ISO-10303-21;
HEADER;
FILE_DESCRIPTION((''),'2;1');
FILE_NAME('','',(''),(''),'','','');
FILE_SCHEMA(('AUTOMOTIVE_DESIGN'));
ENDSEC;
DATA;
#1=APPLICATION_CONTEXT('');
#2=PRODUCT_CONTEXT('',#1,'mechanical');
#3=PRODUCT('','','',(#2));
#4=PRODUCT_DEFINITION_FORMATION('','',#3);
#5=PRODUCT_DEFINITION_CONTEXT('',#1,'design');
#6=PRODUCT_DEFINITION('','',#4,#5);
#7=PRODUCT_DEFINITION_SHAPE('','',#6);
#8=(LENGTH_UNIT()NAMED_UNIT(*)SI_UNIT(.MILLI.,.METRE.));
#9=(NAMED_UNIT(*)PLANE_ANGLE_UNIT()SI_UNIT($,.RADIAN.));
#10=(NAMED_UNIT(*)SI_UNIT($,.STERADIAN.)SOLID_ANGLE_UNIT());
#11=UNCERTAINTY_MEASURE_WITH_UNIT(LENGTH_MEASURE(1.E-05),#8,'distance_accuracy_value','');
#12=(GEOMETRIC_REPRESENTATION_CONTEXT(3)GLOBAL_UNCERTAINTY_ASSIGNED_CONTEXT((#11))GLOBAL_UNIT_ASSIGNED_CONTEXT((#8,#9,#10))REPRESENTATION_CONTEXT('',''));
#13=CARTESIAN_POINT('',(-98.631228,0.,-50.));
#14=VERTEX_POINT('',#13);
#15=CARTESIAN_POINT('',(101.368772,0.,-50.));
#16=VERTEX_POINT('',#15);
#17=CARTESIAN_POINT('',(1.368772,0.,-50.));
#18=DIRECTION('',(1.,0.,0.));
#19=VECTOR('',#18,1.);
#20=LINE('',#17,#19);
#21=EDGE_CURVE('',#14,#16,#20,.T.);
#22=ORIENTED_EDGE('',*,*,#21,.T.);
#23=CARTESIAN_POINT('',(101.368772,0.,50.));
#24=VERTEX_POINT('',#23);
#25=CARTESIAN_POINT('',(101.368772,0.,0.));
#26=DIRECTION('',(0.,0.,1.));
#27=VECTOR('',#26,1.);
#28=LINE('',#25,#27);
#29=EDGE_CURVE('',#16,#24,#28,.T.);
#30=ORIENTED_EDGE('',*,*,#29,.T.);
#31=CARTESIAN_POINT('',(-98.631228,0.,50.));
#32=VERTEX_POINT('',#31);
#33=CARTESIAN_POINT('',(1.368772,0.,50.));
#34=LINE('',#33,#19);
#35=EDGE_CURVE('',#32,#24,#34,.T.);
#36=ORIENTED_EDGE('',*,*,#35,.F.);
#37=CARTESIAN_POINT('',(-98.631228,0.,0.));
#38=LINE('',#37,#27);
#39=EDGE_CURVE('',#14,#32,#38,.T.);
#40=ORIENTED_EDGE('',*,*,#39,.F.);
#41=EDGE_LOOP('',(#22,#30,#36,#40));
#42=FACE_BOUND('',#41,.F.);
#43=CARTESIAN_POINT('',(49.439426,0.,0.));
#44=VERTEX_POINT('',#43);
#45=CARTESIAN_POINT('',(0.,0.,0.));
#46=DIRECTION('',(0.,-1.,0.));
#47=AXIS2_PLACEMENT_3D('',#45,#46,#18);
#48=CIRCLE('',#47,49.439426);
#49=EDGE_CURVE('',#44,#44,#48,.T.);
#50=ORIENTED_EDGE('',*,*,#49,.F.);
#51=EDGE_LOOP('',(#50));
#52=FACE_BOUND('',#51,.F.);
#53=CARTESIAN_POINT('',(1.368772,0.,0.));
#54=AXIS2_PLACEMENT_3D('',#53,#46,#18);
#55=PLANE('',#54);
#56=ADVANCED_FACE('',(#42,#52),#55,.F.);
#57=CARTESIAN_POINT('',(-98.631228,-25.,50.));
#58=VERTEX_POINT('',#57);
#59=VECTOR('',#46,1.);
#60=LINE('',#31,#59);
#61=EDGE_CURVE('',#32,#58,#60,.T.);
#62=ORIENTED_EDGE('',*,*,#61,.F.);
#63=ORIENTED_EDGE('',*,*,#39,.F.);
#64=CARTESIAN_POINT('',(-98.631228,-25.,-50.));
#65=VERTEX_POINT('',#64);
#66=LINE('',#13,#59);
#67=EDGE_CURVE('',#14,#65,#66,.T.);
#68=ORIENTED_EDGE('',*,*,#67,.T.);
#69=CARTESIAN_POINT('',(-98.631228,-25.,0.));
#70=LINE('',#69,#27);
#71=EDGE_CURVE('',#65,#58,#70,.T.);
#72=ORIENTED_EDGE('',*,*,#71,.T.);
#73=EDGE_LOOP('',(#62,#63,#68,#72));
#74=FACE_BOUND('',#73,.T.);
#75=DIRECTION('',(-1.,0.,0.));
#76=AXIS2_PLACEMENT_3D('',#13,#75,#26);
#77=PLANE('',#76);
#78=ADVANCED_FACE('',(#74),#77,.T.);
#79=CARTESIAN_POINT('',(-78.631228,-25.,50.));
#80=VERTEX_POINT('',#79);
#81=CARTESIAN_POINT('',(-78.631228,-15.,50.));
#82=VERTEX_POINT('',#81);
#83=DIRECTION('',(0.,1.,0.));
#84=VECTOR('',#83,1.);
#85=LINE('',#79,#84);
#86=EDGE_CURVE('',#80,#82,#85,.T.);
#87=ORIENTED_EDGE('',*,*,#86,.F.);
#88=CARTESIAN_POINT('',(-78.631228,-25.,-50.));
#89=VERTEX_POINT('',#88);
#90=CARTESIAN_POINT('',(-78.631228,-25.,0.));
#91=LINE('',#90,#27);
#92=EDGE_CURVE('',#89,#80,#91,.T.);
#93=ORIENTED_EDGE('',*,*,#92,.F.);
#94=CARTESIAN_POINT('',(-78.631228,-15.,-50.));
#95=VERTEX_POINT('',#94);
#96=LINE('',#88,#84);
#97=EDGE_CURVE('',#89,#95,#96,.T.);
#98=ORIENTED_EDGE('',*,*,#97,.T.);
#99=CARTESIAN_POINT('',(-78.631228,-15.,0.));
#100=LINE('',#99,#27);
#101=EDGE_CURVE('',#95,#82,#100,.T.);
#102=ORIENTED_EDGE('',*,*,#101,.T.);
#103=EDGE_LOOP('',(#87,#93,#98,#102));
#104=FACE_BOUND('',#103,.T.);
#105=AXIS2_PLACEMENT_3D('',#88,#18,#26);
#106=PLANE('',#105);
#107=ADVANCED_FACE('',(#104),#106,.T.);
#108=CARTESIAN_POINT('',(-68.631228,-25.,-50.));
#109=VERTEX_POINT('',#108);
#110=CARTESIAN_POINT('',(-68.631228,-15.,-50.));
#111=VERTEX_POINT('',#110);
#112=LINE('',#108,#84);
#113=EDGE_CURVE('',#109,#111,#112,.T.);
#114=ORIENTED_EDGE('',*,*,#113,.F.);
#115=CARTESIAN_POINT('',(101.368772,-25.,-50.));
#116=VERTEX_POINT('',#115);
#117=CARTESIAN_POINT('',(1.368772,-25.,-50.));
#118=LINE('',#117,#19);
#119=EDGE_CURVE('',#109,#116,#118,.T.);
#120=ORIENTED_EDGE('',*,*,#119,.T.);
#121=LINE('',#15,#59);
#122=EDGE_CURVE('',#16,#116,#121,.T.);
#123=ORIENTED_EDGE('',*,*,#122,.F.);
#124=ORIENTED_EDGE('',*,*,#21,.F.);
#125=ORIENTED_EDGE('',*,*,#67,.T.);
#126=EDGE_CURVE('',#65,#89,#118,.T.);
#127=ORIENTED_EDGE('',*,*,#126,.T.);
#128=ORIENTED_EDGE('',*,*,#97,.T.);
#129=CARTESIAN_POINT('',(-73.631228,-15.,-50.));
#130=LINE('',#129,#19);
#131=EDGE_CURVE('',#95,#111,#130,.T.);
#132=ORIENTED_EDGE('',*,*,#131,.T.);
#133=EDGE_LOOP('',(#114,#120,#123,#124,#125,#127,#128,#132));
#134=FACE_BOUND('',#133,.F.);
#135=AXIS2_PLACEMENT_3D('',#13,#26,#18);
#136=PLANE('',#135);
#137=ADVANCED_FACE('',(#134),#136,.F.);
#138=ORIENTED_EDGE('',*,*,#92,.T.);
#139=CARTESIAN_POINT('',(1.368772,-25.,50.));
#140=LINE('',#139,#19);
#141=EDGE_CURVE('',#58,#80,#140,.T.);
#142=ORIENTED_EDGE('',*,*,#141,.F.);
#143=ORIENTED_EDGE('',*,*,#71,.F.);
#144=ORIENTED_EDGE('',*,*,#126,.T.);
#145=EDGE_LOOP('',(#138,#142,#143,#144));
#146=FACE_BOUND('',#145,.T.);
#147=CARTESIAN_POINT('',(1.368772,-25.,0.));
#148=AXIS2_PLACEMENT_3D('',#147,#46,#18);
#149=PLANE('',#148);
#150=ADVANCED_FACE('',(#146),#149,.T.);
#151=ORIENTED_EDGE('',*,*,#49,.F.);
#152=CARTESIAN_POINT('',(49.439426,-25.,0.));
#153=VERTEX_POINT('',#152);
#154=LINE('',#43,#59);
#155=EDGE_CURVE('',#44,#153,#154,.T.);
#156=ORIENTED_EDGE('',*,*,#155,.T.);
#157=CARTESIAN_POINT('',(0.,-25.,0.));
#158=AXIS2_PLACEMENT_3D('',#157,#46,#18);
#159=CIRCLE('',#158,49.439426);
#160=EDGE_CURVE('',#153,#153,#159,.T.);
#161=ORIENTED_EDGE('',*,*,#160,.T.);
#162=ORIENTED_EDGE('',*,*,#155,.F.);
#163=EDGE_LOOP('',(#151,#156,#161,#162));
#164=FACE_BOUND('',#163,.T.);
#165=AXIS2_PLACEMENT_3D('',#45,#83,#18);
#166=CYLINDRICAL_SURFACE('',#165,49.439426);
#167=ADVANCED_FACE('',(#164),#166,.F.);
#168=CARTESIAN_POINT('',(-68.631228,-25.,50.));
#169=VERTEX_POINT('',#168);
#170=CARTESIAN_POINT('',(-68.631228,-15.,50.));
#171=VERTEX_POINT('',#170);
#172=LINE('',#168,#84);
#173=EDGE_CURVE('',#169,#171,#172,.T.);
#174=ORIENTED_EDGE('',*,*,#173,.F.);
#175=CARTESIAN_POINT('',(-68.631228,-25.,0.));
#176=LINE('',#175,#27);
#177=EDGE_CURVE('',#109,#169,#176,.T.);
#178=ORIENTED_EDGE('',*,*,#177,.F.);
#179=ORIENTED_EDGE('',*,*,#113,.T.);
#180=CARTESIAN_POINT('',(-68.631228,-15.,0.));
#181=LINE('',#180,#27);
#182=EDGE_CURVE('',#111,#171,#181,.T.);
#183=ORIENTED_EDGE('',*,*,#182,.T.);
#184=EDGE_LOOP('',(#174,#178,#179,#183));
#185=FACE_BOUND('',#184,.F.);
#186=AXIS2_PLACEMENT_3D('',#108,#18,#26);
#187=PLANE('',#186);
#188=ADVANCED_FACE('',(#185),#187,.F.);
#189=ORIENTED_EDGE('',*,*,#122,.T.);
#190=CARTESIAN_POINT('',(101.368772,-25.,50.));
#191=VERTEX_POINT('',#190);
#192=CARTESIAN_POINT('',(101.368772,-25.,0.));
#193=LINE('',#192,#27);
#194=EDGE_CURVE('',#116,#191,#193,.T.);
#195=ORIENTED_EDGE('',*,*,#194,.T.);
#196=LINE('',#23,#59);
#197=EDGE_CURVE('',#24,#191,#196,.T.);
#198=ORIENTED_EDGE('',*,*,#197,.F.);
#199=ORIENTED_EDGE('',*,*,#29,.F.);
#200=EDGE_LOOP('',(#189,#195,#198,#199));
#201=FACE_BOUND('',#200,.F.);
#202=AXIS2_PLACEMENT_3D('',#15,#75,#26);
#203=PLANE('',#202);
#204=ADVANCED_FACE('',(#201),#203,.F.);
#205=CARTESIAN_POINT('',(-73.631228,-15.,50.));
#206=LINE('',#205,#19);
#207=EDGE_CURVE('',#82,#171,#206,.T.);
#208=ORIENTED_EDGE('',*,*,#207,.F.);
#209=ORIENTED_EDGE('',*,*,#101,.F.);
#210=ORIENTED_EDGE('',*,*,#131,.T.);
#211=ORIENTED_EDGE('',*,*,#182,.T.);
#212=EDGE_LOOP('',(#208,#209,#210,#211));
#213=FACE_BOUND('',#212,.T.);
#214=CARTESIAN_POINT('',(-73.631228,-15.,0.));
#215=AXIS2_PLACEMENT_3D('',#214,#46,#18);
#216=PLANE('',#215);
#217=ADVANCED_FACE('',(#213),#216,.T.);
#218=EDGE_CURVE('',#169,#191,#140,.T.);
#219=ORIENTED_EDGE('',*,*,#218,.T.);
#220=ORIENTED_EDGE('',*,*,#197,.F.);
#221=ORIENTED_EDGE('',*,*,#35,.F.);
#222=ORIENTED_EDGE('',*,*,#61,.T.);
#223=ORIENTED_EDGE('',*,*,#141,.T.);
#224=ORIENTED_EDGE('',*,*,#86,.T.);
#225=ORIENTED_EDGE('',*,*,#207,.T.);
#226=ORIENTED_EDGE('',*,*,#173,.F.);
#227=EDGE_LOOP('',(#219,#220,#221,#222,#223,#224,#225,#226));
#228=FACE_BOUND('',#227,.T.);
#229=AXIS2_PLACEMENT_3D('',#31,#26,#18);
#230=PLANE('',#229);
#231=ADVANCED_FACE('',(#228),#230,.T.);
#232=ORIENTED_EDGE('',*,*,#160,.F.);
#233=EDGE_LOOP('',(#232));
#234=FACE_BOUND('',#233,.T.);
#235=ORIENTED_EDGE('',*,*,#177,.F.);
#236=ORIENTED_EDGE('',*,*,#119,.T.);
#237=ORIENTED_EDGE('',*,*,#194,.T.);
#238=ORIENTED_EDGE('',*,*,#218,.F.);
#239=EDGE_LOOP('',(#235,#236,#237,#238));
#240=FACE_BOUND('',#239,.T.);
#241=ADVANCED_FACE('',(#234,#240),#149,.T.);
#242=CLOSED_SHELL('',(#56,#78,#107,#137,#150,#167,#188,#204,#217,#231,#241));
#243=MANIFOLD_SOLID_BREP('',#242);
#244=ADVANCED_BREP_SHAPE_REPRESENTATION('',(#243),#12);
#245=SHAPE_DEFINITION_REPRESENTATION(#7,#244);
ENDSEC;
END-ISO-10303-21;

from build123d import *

# Parameters (mm, degrees)
F0_W     = 200
F0_H     = 100
F0_R     = 49.439426
F1_DEPTH = 25
F2_W     = 10
F2_H     = 100
F3_DEPTH = 10


with BuildPart() as f1:
    # F0 (on Front) → F1 (new body)
    with BuildSketch(Plane.XZ):
        with Locations((1.368772, 0)):
            Rectangle(F0_W, F0_H)
        Circle(F0_R, mode=Mode.SUBTRACT)
    extrude(amount=F1_DEPTH)

    # F2 (on face) → F3 (cut)
    with BuildSketch(Plane.XZ.offset(25)):
        with Locations((-73.631228, 0)):
            Rectangle(F2_W, F2_H)
    extrude(amount=-F3_DEPTH, mode=Mode.SUBTRACT)


solid = f1.part
